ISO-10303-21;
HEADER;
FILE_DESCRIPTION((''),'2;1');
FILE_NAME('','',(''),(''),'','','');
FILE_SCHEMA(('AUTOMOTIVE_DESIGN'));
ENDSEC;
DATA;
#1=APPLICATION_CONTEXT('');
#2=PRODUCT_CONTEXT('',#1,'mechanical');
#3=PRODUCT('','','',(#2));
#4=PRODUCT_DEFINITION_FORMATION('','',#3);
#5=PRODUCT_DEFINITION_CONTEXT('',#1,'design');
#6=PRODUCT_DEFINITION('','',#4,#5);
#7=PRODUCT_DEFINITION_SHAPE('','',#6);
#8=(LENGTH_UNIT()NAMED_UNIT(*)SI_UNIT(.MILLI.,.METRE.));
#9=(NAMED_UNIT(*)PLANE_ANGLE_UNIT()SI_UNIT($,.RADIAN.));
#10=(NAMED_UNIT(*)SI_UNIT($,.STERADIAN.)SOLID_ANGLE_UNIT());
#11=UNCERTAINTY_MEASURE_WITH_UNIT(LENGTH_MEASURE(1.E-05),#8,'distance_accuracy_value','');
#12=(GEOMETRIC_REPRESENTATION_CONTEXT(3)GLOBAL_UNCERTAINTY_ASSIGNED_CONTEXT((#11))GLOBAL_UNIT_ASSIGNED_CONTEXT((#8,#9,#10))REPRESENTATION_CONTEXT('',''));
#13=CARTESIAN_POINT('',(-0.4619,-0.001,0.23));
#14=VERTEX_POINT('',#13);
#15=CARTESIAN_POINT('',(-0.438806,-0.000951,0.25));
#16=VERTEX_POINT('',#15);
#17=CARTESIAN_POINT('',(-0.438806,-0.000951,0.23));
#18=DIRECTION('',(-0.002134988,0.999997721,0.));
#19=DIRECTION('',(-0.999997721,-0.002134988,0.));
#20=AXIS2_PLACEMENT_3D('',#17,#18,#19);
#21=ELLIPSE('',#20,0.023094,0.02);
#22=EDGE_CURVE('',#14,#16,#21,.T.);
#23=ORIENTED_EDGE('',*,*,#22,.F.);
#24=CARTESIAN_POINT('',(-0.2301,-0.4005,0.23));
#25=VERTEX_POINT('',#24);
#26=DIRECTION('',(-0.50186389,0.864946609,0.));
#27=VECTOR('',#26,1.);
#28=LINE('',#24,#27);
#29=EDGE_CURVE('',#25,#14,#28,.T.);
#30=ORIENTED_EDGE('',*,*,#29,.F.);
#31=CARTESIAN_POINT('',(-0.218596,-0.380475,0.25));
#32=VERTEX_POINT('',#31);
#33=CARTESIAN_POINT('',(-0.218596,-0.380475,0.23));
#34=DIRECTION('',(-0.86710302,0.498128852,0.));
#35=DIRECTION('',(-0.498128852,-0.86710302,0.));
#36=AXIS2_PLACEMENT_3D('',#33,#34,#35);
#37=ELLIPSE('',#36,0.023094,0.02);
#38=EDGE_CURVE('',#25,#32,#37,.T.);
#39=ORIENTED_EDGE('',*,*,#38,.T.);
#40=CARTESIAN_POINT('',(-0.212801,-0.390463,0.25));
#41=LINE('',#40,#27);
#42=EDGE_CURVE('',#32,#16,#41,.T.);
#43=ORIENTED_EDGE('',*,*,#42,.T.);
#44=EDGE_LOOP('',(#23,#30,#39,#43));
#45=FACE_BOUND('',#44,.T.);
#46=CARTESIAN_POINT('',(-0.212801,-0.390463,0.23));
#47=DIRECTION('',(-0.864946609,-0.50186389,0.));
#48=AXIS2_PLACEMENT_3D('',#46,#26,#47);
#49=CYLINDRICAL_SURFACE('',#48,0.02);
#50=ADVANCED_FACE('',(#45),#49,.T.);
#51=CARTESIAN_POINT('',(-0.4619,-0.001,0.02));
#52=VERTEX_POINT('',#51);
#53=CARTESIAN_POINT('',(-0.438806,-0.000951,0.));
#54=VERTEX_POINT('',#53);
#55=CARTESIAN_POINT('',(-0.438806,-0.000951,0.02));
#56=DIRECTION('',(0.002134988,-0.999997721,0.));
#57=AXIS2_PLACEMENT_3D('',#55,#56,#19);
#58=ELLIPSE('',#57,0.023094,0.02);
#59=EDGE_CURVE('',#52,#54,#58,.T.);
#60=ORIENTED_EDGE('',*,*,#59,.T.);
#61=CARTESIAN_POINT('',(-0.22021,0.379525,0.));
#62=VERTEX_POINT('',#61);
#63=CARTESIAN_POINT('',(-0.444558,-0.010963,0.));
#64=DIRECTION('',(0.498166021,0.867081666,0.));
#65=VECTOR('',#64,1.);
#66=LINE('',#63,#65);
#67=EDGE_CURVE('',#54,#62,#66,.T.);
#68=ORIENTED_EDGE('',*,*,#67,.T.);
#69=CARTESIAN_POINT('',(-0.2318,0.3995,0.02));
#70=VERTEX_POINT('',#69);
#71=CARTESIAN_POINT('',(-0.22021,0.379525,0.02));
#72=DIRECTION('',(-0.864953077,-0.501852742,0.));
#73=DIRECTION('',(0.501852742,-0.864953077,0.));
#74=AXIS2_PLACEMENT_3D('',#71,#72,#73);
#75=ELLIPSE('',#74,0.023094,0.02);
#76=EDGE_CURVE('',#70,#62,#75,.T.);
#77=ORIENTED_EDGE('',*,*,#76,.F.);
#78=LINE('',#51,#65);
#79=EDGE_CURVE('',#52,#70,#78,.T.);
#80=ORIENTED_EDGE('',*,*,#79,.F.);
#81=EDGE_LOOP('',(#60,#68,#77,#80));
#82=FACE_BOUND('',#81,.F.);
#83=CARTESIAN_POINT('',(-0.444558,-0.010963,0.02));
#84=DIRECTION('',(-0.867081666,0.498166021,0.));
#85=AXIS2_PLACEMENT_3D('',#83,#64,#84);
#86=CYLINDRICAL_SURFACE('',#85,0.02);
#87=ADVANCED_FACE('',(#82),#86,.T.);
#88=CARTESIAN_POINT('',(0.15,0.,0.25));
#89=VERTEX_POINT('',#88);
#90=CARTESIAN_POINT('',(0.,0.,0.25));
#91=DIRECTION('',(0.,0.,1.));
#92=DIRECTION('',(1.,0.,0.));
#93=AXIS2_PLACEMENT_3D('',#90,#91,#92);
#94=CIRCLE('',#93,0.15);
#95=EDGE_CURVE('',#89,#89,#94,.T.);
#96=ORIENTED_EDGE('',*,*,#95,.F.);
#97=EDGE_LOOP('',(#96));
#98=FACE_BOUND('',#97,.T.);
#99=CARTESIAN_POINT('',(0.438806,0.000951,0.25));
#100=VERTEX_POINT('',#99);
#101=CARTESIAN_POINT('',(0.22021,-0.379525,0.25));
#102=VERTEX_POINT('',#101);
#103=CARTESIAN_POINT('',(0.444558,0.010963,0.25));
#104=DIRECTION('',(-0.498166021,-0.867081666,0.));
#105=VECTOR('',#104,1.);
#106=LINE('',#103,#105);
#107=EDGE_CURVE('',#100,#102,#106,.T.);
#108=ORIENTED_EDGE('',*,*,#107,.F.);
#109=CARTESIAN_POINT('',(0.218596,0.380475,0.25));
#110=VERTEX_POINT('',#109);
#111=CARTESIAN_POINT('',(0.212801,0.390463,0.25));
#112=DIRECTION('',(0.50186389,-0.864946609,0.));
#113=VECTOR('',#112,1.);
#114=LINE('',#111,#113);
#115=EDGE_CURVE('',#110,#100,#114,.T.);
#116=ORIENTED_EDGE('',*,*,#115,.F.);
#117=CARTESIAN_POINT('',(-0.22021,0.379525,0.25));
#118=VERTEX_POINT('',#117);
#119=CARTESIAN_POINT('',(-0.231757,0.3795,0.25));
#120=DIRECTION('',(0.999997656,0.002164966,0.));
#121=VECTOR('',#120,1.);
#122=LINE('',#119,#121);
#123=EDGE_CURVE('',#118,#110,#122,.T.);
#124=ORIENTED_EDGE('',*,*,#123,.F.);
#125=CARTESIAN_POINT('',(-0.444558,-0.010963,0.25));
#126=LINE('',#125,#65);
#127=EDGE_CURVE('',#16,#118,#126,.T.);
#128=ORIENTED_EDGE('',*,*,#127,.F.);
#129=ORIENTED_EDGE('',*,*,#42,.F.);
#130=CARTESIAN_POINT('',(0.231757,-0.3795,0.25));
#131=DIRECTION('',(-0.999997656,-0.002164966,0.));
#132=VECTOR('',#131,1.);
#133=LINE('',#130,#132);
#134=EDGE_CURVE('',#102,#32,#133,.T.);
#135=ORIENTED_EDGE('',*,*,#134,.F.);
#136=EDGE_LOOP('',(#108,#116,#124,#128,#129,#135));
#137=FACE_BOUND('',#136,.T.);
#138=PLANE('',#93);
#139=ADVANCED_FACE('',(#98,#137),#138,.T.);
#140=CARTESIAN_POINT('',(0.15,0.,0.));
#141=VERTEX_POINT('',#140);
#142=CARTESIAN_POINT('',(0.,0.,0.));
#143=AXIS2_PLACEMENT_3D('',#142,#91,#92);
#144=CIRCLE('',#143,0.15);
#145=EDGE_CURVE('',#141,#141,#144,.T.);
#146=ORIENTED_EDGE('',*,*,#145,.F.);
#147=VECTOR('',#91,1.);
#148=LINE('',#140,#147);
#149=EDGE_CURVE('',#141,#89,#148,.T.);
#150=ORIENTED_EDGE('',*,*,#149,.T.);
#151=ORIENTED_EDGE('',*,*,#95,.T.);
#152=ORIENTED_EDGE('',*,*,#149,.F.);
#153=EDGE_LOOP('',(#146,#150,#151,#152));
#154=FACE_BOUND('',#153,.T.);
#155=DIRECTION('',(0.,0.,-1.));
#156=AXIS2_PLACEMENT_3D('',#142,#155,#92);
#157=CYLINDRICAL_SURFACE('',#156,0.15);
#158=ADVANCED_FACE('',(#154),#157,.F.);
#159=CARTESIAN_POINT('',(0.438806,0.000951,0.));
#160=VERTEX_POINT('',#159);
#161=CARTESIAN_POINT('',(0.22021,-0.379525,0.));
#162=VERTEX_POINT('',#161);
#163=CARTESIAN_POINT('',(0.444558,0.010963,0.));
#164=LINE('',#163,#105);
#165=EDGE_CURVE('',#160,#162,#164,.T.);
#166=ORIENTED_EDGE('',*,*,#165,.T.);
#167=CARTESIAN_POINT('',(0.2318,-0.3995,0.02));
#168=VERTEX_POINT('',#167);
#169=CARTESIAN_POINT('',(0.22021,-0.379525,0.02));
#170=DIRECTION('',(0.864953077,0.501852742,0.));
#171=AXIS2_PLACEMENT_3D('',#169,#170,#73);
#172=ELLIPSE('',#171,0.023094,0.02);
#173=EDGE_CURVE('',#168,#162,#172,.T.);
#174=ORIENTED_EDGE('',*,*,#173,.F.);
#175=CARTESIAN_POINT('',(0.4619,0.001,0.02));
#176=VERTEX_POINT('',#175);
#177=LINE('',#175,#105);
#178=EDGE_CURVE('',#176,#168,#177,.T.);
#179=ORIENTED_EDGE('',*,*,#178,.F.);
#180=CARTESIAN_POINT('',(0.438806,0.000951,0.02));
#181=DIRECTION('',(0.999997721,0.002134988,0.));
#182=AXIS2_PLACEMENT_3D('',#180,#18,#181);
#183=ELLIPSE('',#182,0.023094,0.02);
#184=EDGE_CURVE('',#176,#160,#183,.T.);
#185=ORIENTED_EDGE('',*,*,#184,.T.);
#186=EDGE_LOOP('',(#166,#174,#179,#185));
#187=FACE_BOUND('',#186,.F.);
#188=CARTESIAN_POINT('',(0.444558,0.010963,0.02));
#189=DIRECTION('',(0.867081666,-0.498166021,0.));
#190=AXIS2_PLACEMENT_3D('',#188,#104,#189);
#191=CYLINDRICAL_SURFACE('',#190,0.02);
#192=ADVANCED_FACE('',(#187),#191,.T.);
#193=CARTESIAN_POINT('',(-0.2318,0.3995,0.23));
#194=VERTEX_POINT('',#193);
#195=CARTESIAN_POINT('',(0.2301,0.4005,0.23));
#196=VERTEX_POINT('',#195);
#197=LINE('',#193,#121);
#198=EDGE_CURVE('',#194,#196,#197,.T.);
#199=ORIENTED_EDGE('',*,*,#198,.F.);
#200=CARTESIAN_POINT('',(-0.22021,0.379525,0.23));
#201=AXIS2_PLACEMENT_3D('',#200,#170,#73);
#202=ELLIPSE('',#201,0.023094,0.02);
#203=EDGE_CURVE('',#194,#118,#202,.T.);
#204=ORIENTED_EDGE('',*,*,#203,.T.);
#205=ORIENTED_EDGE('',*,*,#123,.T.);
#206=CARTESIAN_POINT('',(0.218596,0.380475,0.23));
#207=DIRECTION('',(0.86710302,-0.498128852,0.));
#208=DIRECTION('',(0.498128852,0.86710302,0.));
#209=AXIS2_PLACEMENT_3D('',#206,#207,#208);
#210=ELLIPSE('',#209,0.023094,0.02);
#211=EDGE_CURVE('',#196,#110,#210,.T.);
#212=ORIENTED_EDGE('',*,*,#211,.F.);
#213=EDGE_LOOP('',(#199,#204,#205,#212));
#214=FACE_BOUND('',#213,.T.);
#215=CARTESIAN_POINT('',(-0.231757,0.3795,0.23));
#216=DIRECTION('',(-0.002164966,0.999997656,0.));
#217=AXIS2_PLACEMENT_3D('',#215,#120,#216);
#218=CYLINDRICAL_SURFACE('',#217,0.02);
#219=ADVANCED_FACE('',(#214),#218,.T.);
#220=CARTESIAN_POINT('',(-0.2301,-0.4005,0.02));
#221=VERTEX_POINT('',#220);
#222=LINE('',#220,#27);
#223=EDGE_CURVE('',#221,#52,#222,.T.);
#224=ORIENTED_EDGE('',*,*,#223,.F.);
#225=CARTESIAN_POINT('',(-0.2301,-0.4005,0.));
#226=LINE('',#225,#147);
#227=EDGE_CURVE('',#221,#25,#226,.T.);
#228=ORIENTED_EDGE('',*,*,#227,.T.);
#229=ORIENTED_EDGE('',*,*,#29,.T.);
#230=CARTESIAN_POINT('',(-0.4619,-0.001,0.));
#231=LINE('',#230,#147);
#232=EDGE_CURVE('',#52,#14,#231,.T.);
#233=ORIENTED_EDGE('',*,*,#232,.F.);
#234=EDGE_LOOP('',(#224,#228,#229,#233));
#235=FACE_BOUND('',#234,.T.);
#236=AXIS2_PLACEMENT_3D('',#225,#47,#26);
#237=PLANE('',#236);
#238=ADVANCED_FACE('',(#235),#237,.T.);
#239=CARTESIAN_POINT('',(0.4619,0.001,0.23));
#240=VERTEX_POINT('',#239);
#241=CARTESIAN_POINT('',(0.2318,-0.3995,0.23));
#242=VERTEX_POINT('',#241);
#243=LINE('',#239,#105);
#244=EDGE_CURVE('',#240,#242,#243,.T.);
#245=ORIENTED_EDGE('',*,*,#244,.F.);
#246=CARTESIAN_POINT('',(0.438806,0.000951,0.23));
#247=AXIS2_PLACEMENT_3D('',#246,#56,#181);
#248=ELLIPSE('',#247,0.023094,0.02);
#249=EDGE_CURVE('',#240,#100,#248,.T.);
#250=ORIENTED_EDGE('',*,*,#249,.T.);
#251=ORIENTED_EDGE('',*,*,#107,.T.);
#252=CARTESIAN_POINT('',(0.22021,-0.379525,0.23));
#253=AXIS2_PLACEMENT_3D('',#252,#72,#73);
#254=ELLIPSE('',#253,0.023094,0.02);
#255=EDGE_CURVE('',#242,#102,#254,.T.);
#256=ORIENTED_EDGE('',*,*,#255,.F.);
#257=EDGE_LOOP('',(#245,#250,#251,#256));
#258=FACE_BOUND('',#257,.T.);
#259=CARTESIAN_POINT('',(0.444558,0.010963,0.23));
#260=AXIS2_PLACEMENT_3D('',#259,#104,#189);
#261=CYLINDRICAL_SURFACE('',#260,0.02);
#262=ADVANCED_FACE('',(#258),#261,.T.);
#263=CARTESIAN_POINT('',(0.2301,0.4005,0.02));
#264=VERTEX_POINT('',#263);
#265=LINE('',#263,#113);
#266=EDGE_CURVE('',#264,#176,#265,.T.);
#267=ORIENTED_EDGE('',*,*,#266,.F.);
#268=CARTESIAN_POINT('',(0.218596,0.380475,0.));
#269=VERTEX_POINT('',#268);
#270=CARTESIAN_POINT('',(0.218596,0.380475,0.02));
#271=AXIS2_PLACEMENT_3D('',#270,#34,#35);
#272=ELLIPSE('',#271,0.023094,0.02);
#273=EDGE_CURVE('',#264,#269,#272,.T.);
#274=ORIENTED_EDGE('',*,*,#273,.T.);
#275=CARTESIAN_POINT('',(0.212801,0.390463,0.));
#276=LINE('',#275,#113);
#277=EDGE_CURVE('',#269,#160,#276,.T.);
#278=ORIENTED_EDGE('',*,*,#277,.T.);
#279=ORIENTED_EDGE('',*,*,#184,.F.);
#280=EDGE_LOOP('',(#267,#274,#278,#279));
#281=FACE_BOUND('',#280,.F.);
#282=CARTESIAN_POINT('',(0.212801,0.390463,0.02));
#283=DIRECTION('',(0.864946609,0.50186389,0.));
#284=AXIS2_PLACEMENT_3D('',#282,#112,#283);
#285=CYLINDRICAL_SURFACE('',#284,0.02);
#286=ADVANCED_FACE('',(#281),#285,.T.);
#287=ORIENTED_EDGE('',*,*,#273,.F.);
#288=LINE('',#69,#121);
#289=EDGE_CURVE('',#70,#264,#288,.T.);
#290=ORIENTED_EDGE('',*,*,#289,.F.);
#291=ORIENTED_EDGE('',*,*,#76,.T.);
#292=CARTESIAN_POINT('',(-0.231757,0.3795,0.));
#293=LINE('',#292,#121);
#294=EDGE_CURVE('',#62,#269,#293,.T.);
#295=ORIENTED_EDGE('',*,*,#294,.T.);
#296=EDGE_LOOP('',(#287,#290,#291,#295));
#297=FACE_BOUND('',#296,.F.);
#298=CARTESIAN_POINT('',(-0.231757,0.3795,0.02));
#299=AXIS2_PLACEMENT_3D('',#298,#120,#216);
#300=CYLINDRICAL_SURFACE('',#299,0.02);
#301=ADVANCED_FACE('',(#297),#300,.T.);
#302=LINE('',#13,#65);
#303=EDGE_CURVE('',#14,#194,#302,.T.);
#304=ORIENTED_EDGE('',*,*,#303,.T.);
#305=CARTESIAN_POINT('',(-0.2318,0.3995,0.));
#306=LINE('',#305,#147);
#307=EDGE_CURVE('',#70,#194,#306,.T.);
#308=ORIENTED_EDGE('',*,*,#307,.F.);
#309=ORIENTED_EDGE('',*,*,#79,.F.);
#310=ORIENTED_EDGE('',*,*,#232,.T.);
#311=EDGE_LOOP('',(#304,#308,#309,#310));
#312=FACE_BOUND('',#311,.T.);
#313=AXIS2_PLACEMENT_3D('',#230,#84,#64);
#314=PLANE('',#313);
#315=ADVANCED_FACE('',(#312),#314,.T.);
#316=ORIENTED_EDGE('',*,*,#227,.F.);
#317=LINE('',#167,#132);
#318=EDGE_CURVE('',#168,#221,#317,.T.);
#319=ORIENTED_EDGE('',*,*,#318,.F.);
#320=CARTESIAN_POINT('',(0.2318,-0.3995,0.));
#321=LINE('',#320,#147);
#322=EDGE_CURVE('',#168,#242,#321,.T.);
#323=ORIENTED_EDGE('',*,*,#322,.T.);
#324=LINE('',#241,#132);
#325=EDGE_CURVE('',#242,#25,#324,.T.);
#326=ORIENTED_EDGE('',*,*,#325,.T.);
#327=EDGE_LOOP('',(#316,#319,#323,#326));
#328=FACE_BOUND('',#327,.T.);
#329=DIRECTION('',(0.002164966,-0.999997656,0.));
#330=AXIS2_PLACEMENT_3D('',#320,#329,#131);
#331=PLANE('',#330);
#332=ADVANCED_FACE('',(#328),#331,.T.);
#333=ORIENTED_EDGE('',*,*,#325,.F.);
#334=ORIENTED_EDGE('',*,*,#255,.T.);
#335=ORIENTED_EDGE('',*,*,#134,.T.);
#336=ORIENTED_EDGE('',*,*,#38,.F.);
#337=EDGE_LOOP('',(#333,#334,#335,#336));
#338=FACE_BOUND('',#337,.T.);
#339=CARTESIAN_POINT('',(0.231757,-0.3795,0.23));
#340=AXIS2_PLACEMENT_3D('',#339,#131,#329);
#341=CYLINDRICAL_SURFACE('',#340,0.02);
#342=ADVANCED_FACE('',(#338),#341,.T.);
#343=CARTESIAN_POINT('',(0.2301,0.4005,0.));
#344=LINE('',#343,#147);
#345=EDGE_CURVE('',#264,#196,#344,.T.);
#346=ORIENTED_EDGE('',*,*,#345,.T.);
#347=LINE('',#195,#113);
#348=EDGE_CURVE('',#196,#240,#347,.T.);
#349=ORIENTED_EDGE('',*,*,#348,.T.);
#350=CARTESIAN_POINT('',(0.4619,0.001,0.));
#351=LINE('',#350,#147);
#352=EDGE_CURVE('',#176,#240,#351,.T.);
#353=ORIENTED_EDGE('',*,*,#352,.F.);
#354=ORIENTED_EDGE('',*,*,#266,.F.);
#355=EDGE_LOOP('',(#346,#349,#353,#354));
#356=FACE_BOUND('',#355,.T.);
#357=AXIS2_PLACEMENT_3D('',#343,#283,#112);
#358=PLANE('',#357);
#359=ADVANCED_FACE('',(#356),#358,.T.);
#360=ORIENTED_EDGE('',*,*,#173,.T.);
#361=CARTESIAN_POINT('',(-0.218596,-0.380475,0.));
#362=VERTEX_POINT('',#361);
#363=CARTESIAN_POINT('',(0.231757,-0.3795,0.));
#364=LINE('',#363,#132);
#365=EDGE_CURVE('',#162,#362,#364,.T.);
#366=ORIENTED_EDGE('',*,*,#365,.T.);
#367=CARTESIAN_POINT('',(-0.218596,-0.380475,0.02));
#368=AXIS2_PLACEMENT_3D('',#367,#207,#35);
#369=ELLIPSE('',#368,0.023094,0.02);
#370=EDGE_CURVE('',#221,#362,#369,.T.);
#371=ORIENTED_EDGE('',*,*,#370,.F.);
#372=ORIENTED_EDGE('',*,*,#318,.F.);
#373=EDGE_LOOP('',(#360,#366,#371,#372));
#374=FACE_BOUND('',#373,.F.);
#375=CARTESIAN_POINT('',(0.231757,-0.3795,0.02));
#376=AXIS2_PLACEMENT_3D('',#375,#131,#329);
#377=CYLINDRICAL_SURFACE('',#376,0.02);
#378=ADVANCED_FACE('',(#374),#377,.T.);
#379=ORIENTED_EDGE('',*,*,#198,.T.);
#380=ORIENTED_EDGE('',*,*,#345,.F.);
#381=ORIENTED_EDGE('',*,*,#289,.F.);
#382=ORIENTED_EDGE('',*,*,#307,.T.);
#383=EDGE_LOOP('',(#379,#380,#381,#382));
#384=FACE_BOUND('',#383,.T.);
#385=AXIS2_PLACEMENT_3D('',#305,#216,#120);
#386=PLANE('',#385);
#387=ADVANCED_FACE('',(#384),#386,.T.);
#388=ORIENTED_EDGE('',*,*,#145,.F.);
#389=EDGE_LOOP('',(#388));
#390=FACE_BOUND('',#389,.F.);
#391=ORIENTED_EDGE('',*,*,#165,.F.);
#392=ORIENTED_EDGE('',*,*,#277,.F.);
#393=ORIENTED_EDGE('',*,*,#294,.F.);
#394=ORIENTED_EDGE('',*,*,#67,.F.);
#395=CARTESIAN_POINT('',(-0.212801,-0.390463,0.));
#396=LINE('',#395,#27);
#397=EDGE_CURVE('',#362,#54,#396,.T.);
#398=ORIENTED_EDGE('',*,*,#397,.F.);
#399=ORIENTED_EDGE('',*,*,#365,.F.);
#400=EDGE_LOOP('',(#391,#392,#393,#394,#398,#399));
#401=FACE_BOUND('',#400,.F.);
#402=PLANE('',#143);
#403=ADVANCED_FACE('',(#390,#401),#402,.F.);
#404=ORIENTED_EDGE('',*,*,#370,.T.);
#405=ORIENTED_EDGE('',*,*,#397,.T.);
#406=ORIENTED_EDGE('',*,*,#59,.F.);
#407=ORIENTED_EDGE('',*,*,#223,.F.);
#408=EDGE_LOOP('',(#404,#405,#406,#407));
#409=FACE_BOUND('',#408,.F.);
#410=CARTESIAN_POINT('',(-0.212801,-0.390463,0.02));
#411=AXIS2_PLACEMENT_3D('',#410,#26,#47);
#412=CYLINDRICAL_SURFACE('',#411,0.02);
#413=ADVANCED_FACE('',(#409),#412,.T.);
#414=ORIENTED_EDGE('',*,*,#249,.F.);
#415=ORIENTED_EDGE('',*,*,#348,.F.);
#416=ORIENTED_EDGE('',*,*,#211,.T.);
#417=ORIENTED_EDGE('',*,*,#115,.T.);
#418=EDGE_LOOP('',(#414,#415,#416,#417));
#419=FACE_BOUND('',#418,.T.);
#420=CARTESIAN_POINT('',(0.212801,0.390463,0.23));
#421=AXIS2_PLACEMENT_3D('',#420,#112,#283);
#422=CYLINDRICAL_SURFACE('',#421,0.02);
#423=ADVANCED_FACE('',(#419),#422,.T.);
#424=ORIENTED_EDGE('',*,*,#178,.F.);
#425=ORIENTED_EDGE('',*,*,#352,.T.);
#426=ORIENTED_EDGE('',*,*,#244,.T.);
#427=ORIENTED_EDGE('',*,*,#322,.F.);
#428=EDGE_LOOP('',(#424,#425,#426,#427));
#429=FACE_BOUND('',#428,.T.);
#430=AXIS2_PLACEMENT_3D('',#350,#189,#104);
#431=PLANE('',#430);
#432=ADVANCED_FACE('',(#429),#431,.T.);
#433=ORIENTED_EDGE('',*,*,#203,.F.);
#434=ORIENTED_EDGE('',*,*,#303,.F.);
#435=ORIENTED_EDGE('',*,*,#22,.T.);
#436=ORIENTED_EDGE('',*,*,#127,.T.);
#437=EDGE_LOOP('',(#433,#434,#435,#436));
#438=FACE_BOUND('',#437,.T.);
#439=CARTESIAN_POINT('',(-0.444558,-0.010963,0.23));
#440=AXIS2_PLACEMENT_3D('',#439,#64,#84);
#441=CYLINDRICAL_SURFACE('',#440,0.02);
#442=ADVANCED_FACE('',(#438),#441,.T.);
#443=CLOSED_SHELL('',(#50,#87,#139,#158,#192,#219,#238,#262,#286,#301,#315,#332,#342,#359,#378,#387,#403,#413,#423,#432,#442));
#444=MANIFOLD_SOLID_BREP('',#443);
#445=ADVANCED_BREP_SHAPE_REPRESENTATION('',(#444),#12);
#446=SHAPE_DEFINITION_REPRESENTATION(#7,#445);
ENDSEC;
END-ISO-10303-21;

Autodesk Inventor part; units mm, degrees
ref_plane "YZ Plane" through (0, 0, 0) normal (1, 0, 0) x (0, 1, 0)
ref_plane "XZ Plane" through (0, 0, 0) normal (0, 1, 0) x (-1, 0, 0)
ref_plane "XY Plane" through (0, 0, 0) normal (0, 0, 1) x (1, 0, 0)
sketch "Sketch1" plane through (0, 0, 0) normal (0, 0, 1) x (1, 0, 0)
  line L0 (0.2301, 0.4005) -> (0.4619, 0.001)
  line L1 (0.4619, 0.001) -> (0.2318, -0.3995)
  line L2 (0.2318, -0.3995) -> (-0.2301, -0.4005)
  line L3 (-0.2301, -0.4005) -> (-0.4619, -0.001)
  line L4 (-0.4619, -0.001) -> (-0.2318, 0.3995)
  line L5 (-0.2318, 0.3995) -> (0.2301, 0.4005)
  circle A0 centre (0, 0) radius 0.15
  dimension "d0" = 0.8
  dimension "d1" = 0.3
extrude "Extrusion1" add sketch "Sketch1" along normal blind 0.25
fillet "Fillet1" radius 0.02 12 edges at (-0.0009, 0.4, 0.25) (0.346, 0.2008, 0.25) (0.346, 0.2008, 0) (-0.0009, 0.4, 0) (0.3469, -0.1992, 0.25) (0.3469, -0.1992, 0) (0.0009, -0.4, 0) (0.0009, -0.4, 0.25) (-0.346, -0.2008, 0.25) (-0.346, -0.2008, 0) (-0.3469, 0.1992, 0.25) (-0.3469, 0.1992, 0)
thread "Thread1" size "35-282 UNM" class "2B" standard "ANSI Unified Screw Threads" full length
properties part number "Design A Part Challenge"
